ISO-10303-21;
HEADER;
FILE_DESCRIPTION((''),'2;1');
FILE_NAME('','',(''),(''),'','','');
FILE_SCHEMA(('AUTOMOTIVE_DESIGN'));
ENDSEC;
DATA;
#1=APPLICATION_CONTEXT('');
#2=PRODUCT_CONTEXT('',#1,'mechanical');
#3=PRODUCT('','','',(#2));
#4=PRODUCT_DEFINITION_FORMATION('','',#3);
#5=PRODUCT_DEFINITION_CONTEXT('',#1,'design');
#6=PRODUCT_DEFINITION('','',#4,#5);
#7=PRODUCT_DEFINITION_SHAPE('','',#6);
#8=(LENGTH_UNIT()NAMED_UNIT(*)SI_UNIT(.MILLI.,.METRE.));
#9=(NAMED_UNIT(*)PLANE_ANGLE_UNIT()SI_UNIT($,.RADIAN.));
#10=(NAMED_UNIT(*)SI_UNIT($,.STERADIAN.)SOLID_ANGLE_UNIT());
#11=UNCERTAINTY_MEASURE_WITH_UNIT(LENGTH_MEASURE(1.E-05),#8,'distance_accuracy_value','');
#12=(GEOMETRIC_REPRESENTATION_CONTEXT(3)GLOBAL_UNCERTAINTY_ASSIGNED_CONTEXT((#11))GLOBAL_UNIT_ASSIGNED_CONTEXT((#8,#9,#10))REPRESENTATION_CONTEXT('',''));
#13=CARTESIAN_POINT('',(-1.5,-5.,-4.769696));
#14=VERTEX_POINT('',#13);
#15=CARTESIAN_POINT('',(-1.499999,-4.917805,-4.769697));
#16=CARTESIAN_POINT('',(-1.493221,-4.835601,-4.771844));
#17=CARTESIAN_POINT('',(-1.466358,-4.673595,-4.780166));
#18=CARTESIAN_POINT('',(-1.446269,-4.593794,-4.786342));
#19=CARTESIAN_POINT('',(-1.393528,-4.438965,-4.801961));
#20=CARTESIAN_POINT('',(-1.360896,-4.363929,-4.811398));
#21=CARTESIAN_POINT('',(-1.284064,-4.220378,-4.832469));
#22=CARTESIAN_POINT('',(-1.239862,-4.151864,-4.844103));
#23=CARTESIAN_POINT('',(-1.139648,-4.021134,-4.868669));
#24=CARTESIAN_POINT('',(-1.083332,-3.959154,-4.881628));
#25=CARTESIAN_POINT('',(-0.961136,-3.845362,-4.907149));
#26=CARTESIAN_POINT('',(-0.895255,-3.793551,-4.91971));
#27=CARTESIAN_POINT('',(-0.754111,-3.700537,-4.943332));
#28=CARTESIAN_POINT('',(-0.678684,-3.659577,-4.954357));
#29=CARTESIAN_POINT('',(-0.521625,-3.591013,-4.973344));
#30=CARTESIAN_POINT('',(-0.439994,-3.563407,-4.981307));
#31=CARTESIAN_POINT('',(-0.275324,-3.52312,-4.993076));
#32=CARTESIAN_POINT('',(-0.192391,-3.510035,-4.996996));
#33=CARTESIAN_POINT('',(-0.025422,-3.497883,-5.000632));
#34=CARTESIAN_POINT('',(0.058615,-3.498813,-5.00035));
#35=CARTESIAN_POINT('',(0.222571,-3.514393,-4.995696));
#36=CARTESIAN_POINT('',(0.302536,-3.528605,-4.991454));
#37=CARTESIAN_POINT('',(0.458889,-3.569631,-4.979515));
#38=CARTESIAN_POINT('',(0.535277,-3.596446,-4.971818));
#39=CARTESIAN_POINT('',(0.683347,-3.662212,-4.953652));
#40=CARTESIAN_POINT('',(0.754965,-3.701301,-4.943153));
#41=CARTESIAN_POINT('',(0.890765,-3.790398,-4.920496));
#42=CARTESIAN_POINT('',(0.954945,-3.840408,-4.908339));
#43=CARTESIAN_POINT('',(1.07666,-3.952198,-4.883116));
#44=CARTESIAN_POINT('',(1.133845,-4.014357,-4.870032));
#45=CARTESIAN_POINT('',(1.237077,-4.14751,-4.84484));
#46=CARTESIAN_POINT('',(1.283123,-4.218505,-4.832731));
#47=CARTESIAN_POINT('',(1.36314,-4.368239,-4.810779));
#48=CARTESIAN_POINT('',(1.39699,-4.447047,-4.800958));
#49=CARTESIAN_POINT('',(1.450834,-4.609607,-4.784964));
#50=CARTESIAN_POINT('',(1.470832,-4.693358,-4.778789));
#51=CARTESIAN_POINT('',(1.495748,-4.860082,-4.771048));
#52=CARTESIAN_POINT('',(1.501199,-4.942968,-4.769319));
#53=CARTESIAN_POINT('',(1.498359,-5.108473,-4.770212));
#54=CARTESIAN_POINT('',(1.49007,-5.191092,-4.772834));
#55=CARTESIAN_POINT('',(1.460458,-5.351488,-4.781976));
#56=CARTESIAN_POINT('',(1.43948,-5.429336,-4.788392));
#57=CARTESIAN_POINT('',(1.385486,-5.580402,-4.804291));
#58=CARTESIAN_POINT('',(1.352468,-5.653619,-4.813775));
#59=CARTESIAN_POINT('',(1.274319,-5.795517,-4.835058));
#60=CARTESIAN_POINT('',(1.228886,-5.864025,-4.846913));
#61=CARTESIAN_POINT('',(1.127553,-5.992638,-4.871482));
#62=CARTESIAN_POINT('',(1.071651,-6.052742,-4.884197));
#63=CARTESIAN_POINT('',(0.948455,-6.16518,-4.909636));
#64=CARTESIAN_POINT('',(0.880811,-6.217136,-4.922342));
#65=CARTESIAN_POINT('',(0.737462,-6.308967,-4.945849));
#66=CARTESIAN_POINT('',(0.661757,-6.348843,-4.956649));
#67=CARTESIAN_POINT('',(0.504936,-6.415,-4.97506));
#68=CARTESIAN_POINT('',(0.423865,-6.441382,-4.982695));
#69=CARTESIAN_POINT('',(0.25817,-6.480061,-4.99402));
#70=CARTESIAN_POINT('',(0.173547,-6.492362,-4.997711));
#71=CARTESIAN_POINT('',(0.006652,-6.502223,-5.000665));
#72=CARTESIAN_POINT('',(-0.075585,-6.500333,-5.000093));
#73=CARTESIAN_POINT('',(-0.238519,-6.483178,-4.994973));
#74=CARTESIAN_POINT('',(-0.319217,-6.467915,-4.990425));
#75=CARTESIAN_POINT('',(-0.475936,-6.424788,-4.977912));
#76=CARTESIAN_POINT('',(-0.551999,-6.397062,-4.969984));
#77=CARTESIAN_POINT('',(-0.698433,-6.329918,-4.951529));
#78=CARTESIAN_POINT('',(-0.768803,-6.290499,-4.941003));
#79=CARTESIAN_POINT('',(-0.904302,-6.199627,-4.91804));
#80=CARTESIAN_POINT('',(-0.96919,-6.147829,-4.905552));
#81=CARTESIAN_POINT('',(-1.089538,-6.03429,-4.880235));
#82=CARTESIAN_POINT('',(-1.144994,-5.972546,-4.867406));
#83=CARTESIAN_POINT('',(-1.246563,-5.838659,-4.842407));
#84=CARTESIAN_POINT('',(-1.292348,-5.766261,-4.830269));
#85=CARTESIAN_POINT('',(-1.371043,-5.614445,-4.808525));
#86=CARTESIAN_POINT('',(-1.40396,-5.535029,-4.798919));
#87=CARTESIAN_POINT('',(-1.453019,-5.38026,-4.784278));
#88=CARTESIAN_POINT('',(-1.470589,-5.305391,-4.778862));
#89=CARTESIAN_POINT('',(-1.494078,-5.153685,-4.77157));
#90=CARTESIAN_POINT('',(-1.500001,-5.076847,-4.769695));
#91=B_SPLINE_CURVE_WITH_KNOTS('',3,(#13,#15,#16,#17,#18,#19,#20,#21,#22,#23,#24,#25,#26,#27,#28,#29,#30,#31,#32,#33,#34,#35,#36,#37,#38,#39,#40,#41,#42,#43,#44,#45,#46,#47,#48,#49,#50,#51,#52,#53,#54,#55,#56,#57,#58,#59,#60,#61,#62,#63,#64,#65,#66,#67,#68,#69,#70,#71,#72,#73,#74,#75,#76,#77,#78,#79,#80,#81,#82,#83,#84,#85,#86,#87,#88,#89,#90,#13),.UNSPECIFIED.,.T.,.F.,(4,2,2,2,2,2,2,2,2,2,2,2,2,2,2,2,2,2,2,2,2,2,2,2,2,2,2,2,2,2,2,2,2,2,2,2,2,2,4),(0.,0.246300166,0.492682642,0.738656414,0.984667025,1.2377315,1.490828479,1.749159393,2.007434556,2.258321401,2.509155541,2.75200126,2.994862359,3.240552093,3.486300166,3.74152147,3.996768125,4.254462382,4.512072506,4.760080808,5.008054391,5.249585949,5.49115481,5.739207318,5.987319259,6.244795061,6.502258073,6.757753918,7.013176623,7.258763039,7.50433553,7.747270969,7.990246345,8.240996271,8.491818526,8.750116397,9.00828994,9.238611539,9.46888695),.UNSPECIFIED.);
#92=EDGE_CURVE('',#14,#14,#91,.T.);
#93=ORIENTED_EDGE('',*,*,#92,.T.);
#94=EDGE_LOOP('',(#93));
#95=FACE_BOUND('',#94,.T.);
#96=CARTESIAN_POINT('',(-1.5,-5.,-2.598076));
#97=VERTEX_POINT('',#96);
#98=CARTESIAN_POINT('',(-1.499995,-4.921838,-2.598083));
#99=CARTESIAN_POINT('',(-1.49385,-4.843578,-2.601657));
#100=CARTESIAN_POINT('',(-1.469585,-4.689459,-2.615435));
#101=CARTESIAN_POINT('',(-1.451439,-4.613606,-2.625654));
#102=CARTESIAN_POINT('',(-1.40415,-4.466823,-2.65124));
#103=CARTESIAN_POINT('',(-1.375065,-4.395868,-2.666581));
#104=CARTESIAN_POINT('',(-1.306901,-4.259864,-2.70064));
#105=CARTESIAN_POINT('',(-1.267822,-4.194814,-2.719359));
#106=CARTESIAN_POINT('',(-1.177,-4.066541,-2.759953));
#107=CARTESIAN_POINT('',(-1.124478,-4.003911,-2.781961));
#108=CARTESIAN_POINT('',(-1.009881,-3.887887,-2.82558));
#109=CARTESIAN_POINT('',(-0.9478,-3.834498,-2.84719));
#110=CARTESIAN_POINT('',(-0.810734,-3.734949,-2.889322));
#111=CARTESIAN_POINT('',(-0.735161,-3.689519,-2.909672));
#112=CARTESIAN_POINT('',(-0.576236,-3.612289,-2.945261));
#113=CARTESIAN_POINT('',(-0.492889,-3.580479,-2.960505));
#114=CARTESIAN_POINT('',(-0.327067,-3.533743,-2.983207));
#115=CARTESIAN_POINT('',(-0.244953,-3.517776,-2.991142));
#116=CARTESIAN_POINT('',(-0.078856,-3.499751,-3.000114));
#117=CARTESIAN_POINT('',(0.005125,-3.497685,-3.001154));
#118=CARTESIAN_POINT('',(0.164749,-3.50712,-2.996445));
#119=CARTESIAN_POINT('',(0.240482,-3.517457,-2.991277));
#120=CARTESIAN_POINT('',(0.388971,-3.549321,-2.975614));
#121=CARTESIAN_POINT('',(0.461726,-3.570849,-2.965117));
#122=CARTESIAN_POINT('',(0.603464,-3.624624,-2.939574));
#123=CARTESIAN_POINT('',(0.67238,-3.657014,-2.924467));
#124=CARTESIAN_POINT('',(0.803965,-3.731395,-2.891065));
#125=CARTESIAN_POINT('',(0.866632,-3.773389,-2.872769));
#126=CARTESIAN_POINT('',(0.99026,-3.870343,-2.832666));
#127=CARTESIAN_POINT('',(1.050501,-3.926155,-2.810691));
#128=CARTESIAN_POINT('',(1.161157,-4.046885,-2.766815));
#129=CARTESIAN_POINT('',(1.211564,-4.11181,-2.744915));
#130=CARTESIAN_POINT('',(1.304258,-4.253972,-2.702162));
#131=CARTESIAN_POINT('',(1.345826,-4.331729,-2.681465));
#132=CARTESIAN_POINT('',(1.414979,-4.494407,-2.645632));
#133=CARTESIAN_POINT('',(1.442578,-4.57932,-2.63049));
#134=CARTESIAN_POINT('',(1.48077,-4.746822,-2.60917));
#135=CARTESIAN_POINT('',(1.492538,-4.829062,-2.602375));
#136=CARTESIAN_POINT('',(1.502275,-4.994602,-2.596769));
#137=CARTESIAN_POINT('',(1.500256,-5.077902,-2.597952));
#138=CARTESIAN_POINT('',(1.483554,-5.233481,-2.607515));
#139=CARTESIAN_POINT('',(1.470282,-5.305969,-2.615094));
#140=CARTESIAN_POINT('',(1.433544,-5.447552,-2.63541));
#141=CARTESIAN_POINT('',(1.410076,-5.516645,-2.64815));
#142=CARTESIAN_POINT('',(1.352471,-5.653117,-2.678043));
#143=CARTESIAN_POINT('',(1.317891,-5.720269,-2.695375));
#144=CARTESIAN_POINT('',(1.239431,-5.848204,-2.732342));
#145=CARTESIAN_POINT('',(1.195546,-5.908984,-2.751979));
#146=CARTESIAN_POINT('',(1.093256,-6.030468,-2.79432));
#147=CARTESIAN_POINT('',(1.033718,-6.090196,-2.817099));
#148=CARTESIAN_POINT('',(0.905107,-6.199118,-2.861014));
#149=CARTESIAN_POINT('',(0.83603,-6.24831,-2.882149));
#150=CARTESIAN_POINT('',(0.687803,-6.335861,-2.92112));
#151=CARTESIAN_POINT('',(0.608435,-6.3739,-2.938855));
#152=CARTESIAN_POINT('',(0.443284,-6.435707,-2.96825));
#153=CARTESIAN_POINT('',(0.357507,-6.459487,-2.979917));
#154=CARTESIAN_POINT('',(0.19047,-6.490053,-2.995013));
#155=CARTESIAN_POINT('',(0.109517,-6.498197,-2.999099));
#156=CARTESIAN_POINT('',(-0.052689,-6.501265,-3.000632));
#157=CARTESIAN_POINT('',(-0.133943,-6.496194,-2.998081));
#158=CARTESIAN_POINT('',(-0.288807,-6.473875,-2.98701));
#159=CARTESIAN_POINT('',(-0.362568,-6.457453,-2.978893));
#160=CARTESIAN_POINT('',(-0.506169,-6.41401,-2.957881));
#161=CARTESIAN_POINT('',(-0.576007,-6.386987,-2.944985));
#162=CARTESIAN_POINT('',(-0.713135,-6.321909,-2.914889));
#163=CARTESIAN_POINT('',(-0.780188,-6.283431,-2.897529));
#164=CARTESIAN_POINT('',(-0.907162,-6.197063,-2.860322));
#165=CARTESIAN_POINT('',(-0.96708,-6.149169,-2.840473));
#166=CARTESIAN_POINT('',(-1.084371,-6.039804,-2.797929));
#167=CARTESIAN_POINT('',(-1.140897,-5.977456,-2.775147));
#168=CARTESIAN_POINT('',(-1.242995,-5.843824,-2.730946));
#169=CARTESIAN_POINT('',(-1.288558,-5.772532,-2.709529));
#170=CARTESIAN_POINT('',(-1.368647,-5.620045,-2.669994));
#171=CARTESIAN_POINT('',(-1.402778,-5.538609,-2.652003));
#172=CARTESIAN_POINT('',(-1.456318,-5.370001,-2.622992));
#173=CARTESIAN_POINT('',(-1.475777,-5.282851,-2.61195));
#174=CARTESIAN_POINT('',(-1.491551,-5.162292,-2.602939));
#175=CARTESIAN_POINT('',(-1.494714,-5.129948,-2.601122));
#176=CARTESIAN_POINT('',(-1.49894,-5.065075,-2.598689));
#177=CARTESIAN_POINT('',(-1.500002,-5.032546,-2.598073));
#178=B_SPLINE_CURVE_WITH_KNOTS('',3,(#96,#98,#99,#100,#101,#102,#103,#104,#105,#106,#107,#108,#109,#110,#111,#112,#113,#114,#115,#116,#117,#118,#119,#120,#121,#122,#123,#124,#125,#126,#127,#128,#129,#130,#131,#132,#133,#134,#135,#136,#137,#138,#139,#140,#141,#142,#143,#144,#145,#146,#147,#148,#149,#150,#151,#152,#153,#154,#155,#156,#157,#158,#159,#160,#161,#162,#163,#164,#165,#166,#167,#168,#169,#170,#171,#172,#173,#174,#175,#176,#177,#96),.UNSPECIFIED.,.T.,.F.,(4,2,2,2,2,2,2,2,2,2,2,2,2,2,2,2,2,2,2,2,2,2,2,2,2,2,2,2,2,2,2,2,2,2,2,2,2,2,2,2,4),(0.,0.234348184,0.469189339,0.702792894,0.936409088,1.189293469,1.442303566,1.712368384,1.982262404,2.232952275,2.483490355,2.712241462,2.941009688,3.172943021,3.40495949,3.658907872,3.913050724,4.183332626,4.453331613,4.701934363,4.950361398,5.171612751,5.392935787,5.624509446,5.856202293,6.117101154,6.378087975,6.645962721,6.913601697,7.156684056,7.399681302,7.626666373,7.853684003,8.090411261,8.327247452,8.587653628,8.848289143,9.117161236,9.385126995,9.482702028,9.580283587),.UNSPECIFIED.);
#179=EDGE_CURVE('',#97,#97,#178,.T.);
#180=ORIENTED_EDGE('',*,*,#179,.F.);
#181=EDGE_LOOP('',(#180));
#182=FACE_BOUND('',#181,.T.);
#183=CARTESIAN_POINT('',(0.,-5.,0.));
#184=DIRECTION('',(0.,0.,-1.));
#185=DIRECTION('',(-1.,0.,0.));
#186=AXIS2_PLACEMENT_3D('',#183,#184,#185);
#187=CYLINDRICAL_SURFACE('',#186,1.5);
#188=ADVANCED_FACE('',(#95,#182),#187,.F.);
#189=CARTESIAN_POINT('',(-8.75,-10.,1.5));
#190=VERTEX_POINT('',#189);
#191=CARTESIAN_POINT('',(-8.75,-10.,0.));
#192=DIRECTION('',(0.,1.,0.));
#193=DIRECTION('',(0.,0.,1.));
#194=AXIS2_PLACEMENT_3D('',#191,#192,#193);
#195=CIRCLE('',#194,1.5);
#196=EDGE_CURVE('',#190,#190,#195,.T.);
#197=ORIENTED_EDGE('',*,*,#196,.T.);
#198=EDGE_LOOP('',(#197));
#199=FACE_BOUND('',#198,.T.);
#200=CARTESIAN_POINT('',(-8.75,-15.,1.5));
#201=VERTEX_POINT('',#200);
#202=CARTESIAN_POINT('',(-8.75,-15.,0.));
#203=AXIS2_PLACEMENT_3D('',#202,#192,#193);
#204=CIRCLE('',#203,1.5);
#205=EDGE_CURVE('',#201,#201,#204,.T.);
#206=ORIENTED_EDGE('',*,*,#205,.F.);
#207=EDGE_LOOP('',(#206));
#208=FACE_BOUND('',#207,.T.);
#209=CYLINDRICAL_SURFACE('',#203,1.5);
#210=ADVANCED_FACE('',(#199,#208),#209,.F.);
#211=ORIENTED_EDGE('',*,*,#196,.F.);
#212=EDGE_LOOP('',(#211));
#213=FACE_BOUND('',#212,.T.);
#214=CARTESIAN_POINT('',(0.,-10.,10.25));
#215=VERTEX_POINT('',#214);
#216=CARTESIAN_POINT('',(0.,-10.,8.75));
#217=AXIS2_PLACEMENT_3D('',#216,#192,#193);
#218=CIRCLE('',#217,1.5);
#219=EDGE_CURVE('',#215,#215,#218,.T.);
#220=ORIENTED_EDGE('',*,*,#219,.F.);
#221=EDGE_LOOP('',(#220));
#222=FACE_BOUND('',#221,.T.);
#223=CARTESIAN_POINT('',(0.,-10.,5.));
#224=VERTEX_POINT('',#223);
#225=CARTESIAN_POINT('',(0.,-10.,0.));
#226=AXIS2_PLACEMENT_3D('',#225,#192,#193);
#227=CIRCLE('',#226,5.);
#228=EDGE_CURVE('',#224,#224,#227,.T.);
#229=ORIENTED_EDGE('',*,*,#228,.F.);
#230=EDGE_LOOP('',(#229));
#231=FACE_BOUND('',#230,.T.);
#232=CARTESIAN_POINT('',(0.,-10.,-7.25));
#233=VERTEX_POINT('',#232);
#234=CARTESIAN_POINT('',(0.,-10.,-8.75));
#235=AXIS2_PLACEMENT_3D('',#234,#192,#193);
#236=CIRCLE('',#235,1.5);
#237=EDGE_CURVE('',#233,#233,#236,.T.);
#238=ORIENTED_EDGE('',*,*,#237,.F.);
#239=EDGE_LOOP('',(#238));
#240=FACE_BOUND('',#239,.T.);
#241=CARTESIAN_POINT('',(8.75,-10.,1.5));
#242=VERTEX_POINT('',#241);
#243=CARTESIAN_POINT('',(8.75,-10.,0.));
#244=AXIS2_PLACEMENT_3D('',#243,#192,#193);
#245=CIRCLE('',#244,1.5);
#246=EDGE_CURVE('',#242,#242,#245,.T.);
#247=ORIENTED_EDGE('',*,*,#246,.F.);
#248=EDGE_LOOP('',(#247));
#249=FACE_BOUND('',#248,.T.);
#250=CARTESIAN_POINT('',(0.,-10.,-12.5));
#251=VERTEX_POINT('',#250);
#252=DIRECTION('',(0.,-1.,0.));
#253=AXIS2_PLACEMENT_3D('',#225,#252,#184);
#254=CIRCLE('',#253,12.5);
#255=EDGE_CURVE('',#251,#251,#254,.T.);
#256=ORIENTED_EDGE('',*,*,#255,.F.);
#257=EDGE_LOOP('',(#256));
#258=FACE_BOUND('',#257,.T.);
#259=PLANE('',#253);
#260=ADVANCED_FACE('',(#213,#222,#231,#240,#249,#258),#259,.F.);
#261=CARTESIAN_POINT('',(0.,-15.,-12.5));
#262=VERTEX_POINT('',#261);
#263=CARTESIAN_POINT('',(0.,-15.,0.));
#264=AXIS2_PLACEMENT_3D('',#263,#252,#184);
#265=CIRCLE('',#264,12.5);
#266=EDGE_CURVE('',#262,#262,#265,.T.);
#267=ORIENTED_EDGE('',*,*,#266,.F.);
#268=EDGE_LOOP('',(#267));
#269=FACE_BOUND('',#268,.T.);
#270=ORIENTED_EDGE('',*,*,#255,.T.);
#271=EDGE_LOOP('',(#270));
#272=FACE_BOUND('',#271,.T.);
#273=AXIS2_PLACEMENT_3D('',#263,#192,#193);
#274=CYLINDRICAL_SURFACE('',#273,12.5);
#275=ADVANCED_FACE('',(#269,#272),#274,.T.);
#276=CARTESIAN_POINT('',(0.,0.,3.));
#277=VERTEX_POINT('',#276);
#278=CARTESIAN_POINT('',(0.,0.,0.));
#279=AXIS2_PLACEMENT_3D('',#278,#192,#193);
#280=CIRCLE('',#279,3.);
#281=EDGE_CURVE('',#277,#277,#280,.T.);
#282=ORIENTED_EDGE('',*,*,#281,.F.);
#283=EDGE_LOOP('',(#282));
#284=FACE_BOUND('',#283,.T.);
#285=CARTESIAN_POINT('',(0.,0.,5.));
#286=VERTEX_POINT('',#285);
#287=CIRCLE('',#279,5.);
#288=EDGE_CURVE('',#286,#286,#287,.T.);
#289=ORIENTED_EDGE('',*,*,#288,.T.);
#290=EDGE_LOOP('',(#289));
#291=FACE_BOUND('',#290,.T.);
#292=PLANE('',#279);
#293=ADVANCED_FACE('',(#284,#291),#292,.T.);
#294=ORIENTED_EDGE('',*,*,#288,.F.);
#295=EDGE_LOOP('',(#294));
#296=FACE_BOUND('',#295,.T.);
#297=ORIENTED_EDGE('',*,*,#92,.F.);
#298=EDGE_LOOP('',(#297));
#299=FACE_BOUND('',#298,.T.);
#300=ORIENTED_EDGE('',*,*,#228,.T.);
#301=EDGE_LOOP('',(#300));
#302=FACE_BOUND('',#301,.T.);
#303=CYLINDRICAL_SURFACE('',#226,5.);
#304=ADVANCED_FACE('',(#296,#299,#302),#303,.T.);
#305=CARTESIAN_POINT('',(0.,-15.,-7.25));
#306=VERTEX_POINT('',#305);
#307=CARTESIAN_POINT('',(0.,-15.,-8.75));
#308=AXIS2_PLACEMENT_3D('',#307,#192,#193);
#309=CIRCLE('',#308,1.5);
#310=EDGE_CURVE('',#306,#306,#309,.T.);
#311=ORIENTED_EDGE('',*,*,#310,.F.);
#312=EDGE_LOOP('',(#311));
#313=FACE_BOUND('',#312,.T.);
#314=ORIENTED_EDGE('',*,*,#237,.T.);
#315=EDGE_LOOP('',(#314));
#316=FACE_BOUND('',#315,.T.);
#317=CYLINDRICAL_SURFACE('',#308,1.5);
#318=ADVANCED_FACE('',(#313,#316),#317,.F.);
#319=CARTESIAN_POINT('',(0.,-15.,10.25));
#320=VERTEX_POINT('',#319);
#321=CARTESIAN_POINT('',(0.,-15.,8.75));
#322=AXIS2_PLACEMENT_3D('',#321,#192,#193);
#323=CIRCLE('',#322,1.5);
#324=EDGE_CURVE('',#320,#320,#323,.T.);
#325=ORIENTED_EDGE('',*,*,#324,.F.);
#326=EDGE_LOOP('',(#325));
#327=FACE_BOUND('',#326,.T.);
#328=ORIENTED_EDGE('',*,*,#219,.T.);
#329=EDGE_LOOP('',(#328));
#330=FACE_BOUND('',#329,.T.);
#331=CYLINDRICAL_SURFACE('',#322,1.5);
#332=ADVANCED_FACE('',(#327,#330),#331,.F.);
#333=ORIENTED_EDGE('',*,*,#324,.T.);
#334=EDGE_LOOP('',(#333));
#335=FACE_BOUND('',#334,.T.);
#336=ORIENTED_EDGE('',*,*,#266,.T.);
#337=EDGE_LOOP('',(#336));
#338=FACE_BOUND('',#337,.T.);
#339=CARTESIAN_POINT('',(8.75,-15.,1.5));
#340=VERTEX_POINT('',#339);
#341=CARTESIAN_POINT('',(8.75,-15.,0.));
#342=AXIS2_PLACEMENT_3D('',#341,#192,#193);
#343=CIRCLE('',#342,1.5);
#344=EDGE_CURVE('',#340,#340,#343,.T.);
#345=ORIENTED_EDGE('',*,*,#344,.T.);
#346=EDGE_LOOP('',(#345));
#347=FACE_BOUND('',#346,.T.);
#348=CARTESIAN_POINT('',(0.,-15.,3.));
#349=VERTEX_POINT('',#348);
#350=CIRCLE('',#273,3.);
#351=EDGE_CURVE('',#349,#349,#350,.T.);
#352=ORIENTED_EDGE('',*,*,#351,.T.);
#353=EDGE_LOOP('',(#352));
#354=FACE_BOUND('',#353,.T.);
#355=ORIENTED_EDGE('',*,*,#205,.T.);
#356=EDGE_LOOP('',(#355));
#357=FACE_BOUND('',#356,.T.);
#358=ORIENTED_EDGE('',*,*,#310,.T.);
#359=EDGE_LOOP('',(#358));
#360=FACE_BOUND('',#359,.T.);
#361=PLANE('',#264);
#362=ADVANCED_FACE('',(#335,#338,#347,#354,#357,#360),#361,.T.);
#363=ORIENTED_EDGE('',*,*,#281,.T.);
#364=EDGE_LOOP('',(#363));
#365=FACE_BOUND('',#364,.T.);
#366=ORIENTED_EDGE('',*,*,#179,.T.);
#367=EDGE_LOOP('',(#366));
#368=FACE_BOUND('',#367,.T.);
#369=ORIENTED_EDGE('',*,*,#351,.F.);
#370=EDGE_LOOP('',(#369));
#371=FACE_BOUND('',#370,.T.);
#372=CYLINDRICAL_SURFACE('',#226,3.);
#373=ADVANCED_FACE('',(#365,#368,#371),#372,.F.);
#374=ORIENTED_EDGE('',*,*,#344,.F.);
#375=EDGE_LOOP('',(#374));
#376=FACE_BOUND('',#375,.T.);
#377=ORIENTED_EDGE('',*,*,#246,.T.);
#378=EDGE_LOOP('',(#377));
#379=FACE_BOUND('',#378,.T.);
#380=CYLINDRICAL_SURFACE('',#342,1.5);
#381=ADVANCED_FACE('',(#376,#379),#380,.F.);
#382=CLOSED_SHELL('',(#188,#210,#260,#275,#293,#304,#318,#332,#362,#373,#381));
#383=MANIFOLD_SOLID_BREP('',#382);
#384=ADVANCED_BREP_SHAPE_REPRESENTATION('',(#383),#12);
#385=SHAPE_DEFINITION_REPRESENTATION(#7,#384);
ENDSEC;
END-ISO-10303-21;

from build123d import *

# Parameters (mm, degrees)
SKETCH1_R           = 5
SKETCH1_R_2         = 3
BOSS_EXTRUDE1_DEPTH = 10
SKETCH2_R           = 12.5
BOSS_EXTRUDE2_DEPTH = 5
SKETCH6_R           = 1.5
CUT_EXTRUDE1_DEPTH  = 5
SKETCH7_R           = 1.5
CUT_EXTRUDE2_DEPTH  = 5
SKETCH8_R           = 3
CUT_EXTRUDE3_DEPTH  = 5


with BuildPart() as part:
    # Sketch1 → Boss-Extrude1 (new body)
    with BuildSketch(Plane(origin=(0, 0, 0), x_dir=(1, 0, 0), z_dir=(0, 1, 0))):
        with Locations(Location((0, 0, 0), (0, 0, 270))):
            Circle(SKETCH1_R)
        with Locations(Location((0, 0, 0), (0, 0, 270))):
            Circle(SKETCH1_R_2, mode=Mode.SUBTRACT)
    extrude(amount=-BOSS_EXTRUDE1_DEPTH)

    # Sketch2 → Boss-Extrude2 (add)
    with BuildSketch(Plane.XZ.offset(10)):
        with Locations(Location((0, 0, 0), (0, 0, 270))):
            Circle(SKETCH2_R)
    extrude(amount=BOSS_EXTRUDE2_DEPTH)

    # Sketch6 → Cut-Extrude1 (cut)
    with BuildSketch(Plane(origin=(0, -10, 0), x_dir=(1, 0, 0), z_dir=(0, 1, 0))):
        with Locations(Location((0, 8.75, 0), (0, 0, 270))):
            Circle(SKETCH6_R)
        with Locations(Location((8.75, 0, 0), (0, 0, 270))):
            Circle(SKETCH6_R)
        with Locations(Location((0, -8.75, 0), (0, 0, 270))):
            Circle(SKETCH6_R)
        with Locations(Location((-8.75, 0, 0), (0, 0, 270))):
            Circle(SKETCH6_R)
    extrude(amount=-CUT_EXTRUDE1_DEPTH, mode=Mode.SUBTRACT)

    # Sketch7 → Cut-Extrude2 (cut)
    with BuildSketch(Plane(origin=(0, 0, -5), x_dir=(-1, 0, 0), z_dir=(0, 0, -1))):
        with Locations((0, -5)):
            Circle(SKETCH7_R)
    extrude(amount=-CUT_EXTRUDE2_DEPTH, mode=Mode.SUBTRACT)

    # Sketch8 → Cut-Extrude3 (cut)
    with BuildSketch(Plane(origin=(0, -10, 0), x_dir=(1, 0, 0), z_dir=(0, 1, 0))):
        with Locations(Location((0, 0, 0), (0, 0, 270))):
            Circle(SKETCH8_R)
    extrude(amount=-CUT_EXTRUDE3_DEPTH, mode=Mode.SUBTRACT)


solid = part.part
